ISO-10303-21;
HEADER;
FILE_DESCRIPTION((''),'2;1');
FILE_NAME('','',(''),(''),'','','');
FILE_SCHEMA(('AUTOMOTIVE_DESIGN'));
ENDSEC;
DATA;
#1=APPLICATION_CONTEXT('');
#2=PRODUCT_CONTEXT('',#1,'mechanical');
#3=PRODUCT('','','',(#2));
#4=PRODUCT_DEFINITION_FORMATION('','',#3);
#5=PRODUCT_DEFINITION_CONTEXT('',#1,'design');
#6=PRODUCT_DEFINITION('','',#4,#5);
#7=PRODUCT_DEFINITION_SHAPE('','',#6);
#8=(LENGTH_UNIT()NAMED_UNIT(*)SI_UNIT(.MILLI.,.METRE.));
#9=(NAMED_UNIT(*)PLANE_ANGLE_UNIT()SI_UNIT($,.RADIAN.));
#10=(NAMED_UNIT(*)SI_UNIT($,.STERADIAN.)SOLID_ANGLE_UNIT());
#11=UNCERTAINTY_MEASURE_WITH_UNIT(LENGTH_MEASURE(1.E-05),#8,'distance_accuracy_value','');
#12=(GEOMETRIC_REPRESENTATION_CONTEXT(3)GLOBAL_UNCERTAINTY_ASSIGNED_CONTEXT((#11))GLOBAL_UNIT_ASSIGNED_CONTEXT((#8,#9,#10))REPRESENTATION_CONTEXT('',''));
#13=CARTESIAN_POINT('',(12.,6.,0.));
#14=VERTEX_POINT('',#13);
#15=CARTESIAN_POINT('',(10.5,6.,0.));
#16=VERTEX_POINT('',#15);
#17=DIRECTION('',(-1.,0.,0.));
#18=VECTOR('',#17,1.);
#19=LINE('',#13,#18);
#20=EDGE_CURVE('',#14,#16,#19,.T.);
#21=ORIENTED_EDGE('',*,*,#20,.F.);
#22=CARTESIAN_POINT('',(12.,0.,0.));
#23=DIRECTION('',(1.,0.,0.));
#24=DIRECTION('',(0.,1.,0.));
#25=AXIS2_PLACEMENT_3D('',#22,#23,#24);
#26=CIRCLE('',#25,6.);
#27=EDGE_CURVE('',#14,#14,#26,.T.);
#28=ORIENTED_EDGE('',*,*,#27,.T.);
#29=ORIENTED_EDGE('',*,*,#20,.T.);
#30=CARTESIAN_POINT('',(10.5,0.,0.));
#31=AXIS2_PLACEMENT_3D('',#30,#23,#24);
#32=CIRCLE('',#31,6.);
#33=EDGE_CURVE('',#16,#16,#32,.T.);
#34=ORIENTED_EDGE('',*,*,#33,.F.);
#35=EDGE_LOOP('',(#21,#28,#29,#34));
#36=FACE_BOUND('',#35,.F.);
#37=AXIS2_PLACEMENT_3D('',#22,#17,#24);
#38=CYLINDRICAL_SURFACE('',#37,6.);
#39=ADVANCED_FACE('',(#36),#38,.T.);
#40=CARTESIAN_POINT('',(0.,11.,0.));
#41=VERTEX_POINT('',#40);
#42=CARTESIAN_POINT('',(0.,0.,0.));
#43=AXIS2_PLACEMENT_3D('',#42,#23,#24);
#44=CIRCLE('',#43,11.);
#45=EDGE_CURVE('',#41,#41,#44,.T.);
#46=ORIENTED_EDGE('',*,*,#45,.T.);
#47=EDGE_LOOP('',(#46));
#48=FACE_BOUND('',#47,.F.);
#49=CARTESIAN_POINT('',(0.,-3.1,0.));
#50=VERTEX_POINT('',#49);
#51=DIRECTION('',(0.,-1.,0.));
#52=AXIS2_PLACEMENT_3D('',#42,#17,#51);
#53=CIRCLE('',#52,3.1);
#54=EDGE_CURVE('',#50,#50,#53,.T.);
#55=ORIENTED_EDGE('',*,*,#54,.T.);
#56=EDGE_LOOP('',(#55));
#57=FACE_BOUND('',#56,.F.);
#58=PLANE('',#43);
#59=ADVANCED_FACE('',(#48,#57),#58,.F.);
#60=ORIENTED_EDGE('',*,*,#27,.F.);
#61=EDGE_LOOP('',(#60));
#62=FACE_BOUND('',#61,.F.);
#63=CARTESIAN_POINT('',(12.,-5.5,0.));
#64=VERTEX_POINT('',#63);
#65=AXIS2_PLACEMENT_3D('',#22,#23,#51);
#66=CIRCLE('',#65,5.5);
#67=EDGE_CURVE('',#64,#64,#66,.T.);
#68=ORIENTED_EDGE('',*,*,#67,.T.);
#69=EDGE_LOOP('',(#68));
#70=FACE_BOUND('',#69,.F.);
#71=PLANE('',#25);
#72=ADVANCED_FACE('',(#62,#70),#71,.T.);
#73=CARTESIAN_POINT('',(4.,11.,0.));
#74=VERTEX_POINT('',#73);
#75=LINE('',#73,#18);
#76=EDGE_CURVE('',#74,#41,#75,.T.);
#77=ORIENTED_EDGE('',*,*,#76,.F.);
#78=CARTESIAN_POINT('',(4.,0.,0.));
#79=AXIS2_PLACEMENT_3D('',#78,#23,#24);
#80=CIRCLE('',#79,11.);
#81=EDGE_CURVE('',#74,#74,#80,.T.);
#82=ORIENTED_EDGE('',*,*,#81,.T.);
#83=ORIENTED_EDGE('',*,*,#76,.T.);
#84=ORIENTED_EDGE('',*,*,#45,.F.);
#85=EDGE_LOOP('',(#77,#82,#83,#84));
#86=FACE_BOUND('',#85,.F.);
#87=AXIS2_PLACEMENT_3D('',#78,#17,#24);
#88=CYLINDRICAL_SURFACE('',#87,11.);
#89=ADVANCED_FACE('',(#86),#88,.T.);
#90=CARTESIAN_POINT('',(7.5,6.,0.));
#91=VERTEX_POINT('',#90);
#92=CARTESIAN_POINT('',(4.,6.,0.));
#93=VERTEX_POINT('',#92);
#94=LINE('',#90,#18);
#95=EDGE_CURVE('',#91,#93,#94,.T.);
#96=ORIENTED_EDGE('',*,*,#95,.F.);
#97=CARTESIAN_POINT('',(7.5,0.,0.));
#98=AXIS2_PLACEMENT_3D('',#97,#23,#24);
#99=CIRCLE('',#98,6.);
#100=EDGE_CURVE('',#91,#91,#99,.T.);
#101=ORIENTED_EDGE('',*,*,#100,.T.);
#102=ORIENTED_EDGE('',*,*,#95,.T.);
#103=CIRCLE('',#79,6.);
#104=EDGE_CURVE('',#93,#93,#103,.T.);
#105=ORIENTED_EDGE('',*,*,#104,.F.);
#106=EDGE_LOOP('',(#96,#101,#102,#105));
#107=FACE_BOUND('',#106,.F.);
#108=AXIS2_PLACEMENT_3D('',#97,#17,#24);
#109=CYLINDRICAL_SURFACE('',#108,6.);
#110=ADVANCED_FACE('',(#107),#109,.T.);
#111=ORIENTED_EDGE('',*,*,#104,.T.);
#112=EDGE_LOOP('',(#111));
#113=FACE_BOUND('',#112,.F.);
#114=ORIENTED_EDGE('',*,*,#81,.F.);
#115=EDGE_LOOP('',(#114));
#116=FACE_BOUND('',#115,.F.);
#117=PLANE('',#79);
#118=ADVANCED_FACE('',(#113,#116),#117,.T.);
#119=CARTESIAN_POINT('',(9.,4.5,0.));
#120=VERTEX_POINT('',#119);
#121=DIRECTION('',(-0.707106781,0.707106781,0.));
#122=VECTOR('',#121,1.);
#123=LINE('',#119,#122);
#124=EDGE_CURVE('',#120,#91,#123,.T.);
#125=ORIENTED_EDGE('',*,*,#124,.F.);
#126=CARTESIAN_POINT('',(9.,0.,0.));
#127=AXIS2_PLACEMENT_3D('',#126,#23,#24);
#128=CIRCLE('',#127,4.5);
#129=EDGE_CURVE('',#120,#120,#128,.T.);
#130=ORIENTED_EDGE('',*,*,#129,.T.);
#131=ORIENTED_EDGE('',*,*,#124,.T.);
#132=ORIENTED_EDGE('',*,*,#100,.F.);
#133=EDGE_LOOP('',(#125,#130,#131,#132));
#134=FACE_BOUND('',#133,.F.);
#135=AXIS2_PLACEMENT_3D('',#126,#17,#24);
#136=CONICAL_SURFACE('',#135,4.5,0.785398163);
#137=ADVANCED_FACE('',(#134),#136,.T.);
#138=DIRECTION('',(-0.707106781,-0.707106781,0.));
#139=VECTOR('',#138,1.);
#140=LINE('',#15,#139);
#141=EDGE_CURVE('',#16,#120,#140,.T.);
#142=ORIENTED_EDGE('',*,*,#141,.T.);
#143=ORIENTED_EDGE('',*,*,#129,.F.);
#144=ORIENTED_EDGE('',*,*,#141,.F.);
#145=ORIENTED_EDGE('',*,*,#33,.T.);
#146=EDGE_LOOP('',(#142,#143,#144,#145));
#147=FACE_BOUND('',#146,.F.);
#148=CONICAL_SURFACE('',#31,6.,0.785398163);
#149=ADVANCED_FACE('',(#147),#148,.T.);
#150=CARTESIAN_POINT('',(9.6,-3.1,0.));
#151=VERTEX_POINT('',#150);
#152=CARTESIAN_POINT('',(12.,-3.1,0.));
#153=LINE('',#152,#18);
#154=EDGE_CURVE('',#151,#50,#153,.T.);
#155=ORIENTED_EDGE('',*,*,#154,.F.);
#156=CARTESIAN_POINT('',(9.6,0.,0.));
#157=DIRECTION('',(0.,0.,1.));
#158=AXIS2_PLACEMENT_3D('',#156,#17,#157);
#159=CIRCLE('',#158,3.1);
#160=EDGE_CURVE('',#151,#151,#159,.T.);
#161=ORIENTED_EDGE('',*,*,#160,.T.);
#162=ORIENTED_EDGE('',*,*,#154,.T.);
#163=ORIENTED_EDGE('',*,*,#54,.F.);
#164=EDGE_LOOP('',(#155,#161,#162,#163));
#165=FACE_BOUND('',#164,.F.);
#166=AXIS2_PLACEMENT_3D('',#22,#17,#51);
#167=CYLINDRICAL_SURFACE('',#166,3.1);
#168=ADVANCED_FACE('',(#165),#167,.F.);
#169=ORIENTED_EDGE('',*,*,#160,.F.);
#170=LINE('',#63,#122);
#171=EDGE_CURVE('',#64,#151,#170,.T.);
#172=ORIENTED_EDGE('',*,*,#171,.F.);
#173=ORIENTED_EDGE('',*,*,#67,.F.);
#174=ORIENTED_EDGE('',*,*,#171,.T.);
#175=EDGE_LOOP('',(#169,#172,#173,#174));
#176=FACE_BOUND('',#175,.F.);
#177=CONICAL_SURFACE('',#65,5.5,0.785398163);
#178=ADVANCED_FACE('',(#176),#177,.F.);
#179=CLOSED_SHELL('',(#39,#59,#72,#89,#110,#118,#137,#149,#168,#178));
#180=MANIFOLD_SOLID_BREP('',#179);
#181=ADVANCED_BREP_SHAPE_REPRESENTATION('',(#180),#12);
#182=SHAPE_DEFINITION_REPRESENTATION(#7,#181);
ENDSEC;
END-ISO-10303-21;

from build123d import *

# Parameters (mm, degrees)
F3_D           = 6.2
F3_CSINK_D     = 11
F3_CSINK_ANGLE = 90


with BuildPart() as f1:
    # F0 (on Top) → F1 (revolve)
    with BuildSketch(Plane.XY):
        Polygon((0, 11), (0, 0), (12, 0), (12, 6), (10.5, 6), (9, 4.5), (7.5, 6), (4, 6), (4, 11), align=None)
    revolve(axis=Axis((6, 0, 0), (1, 0, 0)))

    # F3 (through all)
    with Locations(Plane.YZ.offset(12)):
        with Locations((0, 0)):
            CounterSinkHole(F3_D / 2, F3_CSINK_D / 2, counter_sink_angle=F3_CSINK_ANGLE)


solid = f1.part
